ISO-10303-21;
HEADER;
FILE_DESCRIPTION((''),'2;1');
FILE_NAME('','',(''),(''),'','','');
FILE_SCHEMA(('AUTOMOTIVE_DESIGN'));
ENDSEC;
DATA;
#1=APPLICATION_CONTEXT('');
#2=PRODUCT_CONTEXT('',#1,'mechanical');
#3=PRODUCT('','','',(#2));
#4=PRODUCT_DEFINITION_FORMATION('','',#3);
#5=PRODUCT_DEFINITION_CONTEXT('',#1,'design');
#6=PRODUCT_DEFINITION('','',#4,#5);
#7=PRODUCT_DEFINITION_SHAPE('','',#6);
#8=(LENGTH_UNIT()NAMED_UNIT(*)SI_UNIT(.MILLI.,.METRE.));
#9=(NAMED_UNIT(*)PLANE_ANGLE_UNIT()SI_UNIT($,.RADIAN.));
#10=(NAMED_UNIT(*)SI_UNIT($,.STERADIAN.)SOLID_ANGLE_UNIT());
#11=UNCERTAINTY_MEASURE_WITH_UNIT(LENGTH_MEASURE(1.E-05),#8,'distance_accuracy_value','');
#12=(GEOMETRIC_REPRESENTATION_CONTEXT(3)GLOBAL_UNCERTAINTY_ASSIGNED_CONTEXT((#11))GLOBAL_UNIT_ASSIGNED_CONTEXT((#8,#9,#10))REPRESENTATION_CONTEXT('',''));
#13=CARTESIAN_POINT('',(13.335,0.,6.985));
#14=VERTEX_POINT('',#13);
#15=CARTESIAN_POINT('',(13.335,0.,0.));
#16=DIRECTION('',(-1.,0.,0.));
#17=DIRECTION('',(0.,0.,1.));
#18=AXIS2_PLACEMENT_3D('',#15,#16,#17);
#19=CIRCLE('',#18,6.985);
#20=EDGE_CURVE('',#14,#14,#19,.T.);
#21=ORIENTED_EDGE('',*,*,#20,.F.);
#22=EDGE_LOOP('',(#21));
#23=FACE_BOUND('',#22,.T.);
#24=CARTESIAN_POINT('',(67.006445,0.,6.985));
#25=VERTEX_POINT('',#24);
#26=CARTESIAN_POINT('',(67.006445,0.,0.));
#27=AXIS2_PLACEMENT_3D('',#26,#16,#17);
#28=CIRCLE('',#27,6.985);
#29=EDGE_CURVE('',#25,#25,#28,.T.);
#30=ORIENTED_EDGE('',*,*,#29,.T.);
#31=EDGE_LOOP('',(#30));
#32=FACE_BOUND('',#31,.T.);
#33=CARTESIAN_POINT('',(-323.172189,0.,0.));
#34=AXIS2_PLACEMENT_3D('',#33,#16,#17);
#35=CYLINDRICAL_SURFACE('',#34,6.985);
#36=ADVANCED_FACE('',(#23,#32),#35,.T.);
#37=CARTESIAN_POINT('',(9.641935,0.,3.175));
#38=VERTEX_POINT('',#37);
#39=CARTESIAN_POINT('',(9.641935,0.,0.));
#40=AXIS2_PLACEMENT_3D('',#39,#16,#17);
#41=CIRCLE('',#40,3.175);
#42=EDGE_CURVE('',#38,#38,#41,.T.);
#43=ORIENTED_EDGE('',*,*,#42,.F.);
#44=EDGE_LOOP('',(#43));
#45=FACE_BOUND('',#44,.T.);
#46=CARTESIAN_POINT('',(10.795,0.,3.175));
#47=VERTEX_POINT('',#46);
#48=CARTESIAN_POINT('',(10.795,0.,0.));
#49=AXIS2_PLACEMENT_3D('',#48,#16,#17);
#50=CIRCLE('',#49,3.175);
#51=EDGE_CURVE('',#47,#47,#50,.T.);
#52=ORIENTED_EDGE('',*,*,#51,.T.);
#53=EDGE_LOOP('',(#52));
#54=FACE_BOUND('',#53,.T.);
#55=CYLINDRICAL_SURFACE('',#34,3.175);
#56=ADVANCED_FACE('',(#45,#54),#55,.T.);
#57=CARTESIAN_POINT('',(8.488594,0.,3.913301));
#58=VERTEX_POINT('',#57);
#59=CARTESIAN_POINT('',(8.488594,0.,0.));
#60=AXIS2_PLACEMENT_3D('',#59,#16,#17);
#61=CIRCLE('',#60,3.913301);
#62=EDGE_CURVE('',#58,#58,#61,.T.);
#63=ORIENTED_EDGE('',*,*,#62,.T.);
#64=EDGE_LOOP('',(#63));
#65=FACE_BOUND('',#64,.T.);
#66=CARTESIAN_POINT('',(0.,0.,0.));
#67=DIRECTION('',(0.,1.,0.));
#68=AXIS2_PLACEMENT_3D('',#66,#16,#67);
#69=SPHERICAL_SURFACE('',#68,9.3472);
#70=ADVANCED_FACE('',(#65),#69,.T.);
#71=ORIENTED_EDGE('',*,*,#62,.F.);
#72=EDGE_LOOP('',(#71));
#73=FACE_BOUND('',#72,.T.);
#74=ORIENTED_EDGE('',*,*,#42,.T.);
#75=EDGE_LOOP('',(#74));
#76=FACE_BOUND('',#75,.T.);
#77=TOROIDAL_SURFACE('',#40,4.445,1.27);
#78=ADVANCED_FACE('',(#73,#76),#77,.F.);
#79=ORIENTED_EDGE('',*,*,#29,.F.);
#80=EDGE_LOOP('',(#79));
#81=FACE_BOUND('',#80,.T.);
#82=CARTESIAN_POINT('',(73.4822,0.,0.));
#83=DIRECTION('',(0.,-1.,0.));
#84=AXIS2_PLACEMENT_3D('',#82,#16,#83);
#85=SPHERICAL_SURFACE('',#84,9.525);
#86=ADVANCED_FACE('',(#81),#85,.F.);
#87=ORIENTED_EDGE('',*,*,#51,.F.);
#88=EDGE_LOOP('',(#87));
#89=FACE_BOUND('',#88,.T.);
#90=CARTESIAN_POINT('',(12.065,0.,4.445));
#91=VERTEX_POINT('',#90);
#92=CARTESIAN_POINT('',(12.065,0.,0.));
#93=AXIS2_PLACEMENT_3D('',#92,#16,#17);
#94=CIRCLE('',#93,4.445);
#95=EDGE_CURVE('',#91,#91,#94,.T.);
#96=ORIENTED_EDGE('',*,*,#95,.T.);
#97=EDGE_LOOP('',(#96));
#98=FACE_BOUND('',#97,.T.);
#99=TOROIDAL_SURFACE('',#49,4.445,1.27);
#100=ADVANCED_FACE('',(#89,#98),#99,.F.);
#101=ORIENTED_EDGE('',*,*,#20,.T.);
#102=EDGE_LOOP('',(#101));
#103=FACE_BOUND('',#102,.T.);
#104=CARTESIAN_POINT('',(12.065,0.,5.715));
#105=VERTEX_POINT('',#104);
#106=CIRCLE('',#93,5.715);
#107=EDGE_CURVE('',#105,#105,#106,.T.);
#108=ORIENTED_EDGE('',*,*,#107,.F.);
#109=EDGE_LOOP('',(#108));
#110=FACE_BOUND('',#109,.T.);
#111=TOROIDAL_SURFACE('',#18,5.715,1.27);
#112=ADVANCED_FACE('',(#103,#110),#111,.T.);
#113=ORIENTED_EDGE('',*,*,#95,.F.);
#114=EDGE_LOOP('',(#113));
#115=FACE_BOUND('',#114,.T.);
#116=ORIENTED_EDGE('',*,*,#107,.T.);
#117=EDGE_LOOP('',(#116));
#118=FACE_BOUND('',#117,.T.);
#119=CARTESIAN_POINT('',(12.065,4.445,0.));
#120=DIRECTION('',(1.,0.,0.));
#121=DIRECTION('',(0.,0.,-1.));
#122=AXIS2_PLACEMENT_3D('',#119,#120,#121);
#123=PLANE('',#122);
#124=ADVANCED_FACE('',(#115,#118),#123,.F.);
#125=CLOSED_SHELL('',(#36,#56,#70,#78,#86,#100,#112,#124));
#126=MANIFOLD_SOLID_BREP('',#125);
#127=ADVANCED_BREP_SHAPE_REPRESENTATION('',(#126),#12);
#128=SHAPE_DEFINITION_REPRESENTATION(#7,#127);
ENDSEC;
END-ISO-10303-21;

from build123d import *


with BuildPart() as part:
    # Sketch1 → Revolve1 (revolve)
    with BuildSketch(Plane.XY, mode=Mode.PRIVATE) as revolve1_sk:
        with BuildLine():
            Line((9.641935015, 3.175), (10.795, 3.175))
            ThreePointArc((10.795, 3.175), (11.693025612, 3.546974388), (12.065, 4.445))
            Line((12.065, 4.445), (12.065, 5.715))
            ThreePointArc((12.065, 5.715), (12.436974388, 6.613025612), (13.335, 6.985))
            Line((13.335, 6.985), (67.006445218, 6.985))
            ThreePointArc((67.006445218, 6.985), (64.752732969, 3.810778182), (63.9572, 0))
            Line((63.9572, 0), (-9.3472, 0))
            ThreePointArc((-9.3472, 0), (-2.003193278, 9.13002544), (8.488593506, 3.913301435))
            ThreePointArc((8.488593506, 3.913301435), (8.957229669, 3.375383906), (9.641935015, 3.175))
        make_face()
    revolve(revolve1_sk.sketch.rotate(Axis((-323.172189465, 0, 0), (1, 0, 0)), 90), axis=Axis((-323.172189465, 0, 0), (1, 0, 0)))


solid = part.part
